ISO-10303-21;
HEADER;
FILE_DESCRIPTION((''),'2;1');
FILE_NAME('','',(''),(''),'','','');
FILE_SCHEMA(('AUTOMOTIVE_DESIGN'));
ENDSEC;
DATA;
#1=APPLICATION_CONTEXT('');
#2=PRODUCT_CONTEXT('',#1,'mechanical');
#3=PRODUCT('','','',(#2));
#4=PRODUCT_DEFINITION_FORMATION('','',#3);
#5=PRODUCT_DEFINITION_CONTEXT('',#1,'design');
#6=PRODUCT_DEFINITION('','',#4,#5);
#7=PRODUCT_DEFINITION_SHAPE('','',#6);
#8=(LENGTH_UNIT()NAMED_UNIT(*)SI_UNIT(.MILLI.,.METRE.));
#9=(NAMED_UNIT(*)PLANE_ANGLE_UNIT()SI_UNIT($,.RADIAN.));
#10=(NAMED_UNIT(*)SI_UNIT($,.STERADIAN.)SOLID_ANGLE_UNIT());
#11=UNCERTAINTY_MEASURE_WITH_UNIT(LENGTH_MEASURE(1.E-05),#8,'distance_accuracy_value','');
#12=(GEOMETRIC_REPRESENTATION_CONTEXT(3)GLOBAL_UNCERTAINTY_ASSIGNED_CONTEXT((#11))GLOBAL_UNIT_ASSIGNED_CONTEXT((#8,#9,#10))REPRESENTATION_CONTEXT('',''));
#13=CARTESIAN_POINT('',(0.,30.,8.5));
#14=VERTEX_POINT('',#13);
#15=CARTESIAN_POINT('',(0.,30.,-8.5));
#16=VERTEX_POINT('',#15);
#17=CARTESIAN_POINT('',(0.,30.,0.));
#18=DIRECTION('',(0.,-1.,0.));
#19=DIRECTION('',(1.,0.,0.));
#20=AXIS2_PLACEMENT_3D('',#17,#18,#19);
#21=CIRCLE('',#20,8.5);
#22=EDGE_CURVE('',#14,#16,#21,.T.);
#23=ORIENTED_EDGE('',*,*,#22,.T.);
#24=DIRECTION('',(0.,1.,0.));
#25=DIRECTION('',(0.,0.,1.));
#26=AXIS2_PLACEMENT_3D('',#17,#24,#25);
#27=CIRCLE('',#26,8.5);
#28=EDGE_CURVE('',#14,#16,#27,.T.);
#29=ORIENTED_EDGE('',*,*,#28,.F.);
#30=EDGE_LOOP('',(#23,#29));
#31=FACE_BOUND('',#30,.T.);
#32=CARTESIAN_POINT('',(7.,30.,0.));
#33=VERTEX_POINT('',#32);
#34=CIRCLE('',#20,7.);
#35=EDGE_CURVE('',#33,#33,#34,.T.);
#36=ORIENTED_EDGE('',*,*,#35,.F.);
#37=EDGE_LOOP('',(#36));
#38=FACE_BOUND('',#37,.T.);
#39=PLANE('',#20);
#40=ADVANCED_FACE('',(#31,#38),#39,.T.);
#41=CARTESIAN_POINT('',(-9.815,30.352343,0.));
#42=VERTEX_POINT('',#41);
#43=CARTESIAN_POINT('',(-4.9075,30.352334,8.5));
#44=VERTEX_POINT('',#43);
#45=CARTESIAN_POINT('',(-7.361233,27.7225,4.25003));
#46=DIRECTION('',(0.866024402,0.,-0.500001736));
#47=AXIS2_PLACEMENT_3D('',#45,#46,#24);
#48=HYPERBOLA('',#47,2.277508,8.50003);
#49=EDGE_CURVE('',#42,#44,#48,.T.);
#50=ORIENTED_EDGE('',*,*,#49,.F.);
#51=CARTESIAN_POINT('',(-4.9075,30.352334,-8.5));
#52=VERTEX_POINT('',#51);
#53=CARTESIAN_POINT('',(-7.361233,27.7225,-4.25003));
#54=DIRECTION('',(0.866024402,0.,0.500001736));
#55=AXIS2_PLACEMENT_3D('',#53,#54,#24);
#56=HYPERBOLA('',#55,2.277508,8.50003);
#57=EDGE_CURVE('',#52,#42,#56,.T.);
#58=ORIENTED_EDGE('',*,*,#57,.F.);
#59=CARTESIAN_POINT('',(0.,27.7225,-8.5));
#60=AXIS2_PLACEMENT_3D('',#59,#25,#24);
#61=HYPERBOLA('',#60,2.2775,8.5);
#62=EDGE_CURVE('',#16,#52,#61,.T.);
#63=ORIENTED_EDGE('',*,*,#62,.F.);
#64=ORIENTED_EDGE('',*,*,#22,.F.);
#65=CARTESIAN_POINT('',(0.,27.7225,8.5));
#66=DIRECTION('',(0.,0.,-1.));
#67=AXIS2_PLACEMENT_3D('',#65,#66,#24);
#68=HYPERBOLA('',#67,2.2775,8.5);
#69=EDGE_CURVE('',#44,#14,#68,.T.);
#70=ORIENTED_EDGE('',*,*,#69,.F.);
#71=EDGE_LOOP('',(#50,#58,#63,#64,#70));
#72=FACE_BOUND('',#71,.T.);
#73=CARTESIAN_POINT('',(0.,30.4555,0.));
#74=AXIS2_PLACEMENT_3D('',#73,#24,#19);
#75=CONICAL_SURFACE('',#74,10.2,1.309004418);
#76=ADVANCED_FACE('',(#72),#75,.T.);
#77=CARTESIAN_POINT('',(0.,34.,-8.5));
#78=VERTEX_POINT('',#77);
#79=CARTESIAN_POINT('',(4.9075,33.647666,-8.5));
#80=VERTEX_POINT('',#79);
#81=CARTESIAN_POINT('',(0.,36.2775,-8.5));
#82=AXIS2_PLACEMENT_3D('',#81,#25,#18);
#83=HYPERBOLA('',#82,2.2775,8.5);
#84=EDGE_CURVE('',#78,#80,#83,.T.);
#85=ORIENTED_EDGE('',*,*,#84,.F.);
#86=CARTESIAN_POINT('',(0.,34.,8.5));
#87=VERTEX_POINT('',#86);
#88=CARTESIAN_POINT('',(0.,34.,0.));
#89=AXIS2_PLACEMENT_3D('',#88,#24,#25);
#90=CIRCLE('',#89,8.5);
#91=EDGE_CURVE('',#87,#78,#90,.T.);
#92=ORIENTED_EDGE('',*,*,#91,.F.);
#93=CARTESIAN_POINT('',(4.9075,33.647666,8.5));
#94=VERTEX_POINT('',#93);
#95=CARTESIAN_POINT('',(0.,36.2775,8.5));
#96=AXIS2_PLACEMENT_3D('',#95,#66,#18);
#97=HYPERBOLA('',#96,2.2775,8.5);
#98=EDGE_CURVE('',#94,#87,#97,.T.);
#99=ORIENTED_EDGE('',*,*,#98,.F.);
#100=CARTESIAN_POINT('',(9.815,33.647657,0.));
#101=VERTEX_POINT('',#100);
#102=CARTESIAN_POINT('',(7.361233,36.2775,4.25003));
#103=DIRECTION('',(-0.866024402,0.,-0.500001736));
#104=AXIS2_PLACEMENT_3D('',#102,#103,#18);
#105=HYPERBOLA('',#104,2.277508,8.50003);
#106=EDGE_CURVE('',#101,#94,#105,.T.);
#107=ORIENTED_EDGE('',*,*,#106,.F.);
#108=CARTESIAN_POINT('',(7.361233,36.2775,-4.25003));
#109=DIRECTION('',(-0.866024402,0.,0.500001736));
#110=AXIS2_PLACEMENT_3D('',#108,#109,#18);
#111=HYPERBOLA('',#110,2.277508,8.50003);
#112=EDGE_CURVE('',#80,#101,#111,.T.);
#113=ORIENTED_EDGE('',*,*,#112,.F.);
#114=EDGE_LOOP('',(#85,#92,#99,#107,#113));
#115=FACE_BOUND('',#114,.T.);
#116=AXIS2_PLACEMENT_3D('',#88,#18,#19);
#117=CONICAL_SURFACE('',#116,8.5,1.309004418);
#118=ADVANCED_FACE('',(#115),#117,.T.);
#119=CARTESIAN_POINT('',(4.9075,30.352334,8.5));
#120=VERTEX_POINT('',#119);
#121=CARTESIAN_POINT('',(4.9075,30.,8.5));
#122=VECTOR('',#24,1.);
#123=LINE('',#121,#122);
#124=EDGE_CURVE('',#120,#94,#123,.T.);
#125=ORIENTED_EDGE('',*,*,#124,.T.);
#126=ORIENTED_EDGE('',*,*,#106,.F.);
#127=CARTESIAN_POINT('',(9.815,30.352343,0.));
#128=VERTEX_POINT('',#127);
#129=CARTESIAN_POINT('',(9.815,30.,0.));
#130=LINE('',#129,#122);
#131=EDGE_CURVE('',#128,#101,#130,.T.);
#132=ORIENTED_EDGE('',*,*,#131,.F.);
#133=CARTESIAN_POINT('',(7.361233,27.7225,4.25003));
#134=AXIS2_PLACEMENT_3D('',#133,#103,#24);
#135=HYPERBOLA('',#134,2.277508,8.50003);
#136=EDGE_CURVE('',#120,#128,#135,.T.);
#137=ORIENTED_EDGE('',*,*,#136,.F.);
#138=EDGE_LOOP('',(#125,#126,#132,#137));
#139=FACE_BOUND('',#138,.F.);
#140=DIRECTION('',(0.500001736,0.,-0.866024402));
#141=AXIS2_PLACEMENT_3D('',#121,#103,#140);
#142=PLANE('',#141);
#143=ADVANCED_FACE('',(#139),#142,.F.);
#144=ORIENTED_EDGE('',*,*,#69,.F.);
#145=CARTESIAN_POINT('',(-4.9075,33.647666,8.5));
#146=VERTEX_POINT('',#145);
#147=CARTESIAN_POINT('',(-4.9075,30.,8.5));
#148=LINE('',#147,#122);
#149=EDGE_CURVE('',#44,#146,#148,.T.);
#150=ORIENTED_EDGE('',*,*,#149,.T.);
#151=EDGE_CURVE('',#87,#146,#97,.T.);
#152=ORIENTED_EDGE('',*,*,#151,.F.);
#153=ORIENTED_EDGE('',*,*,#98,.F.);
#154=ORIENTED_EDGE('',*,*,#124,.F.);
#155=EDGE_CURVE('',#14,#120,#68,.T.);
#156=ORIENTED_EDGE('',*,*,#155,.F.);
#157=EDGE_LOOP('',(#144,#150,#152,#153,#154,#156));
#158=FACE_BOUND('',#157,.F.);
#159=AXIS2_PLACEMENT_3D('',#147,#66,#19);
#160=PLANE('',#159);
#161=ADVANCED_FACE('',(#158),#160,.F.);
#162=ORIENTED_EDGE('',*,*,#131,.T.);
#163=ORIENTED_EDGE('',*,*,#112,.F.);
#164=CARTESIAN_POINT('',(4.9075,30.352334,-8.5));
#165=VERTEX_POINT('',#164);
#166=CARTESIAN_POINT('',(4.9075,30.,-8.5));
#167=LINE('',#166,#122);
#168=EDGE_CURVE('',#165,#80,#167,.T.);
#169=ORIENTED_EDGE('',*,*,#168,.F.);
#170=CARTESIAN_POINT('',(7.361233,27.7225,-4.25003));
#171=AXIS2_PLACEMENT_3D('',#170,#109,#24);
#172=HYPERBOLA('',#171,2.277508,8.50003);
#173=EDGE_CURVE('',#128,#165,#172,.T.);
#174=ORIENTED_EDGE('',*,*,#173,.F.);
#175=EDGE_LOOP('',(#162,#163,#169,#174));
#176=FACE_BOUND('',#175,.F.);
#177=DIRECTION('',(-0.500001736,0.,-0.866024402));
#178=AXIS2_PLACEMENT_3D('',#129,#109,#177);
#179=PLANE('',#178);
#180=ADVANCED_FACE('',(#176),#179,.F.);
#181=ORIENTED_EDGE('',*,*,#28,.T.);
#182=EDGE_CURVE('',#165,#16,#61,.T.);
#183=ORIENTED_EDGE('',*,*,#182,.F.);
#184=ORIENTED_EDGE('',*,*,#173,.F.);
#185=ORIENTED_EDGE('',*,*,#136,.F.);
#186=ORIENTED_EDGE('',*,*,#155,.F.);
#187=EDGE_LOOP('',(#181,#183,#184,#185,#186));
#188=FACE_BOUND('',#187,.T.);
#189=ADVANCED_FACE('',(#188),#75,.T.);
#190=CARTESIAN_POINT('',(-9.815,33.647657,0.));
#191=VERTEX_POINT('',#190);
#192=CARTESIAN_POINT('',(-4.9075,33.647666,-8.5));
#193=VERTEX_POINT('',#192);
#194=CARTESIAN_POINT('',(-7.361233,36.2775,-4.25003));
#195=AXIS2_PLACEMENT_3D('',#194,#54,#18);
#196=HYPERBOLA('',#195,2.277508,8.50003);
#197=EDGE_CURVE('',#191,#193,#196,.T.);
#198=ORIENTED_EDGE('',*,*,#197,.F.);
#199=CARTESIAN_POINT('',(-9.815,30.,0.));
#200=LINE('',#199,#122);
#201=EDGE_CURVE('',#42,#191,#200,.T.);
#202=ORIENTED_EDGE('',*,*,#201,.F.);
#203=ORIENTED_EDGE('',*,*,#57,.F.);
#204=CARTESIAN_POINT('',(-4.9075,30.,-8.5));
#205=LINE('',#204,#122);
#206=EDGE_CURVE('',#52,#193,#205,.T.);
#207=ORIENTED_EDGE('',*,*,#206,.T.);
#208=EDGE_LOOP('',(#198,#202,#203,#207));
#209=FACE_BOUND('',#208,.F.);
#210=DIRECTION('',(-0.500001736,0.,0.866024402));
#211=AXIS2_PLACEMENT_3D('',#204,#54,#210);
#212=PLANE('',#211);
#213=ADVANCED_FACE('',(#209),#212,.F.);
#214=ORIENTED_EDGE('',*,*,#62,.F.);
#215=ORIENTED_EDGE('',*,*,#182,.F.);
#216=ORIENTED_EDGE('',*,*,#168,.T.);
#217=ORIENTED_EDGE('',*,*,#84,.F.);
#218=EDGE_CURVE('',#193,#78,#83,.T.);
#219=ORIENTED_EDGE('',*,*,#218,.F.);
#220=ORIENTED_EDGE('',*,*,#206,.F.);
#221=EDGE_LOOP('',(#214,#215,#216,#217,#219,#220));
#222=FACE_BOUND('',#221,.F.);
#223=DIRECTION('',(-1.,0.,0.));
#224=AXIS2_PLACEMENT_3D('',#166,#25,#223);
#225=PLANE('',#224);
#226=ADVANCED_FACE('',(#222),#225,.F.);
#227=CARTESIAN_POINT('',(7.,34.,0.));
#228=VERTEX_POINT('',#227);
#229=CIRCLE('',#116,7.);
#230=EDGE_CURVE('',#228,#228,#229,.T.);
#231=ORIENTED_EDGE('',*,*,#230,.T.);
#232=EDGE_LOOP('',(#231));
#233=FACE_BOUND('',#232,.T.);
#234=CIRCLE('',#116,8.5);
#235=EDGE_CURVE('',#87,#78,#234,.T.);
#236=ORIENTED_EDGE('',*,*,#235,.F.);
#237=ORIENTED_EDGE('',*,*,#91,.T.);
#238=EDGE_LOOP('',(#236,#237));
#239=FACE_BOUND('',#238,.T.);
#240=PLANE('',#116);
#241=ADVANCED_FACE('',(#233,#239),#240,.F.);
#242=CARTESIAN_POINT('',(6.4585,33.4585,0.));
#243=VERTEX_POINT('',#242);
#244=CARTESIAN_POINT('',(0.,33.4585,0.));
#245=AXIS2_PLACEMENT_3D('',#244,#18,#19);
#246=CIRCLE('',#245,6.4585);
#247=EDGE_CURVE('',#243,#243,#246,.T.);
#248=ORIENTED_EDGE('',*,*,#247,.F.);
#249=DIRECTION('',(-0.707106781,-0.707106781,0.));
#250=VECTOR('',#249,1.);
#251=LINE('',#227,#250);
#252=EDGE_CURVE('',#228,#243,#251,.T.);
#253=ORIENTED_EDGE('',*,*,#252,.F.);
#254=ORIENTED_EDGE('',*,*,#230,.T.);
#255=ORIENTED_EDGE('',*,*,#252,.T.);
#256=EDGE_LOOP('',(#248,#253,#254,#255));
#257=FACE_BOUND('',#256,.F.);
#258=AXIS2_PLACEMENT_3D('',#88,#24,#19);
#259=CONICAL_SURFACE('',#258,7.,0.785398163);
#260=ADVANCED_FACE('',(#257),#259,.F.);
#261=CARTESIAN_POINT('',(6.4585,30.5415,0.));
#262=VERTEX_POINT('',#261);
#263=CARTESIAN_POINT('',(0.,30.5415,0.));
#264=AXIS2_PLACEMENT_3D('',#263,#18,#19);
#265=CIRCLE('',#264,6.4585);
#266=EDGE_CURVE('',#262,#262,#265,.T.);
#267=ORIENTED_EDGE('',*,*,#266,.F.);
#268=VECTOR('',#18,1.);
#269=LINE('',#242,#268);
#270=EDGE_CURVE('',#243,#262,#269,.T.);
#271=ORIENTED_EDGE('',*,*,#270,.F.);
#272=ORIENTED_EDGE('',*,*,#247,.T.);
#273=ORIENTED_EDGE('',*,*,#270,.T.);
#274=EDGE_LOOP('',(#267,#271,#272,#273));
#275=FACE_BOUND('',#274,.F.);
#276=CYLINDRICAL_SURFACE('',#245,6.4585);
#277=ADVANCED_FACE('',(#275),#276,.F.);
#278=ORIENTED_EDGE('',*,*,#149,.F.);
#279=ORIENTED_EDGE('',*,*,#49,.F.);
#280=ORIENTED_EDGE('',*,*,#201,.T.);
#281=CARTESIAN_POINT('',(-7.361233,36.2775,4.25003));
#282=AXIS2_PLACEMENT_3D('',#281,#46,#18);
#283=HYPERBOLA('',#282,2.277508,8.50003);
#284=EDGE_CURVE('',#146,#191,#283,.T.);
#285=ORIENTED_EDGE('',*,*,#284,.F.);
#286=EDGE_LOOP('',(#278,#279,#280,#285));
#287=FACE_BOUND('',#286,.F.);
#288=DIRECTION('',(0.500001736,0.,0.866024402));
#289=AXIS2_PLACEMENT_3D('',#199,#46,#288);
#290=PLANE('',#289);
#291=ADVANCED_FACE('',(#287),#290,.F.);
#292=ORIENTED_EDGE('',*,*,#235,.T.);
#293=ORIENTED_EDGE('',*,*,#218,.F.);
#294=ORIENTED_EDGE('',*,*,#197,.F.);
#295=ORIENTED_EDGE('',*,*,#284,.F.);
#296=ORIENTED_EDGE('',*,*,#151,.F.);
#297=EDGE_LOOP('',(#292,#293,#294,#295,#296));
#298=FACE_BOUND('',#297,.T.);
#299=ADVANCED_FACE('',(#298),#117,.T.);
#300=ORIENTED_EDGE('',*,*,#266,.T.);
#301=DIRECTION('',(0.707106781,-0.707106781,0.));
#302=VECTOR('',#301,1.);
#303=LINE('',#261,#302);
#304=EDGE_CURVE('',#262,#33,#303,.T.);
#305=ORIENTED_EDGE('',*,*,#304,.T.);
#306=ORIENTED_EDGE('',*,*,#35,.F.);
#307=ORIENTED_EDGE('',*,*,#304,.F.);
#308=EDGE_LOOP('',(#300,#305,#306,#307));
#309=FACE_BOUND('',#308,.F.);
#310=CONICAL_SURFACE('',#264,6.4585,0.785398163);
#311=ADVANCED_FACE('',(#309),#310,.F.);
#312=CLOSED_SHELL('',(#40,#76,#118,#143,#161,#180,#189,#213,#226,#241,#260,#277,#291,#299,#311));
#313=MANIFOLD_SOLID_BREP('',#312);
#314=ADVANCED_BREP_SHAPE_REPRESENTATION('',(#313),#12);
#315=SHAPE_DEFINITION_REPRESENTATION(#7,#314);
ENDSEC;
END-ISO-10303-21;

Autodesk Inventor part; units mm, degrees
sketch "Sketch_1" plane through (0, 0, 0) normal (0, 0, 1) x (1, 0, 0)
  line L0 (0, 30) -> (0, 34)
  line L1 (0, 34) -> (8.5, 34)
  line L2 (8.5, 34) -> (10.2, 33.5445)
  line L3 (10.2, 33.5445) -> (10.2, 30.4555)
  line L4 (10.2, 30.4555) -> (8.5, 30)
  line L5 (8.5, 30) -> (0, 30)
  line L6 (0, 30) -> (0, 34)
revolve "Revolution1" add sketch "Sketch_1" angle 360 about axis through (0, 30, 0) along (0, -1, 0)
sketch "Sketch_2" plane through (0, 0, 0) normal (0, 0, 1) x (1, 0, 0)
  line L0 (0, 30) -> (0, 34)
  line L1 (0, 34) -> (7, 34)
  line L2 (7, 34) -> (6.4585, 33.4585)
  line L3 (6.4585, 33.4585) -> (6.4585, 30.5415)
  line L4 (6.4585, 30.5415) -> (7, 30)
  line L5 (7, 30) -> (0, 30)
  line L6 (0, 30) -> (0, 34)
revolve "Revolution2" cut sketch "Sketch_2" angle 360 about axis through (0, 30, 0) along (0, -1, 0)
thread "Thread1" size "M14x1" class "6H" standard "ISO Metric profile" full length
sketch "Sketch_3" plane through (0, 30, 0) normal (0, 1, 0) x (1, 0, 0)
  line L0 (-45, 45) -> (-45, -45)
  line L1 (-45, -45) -> (45, -45)
  line L2 (45, -45) -> (45, 45)
  line L3 (45, 45) -> (-45, 45)
  line L4 (-9.815, 0) -> (-4.9075, -8.5)
  line L5 (-4.9075, -8.5) -> (4.9075, -8.5)
  line L6 (4.9075, -8.5) -> (9.815, 0)
  line L7 (9.815, 0) -> (4.9075, 8.5)
  line L8 (4.9075, 8.5) -> (-4.9075, 8.5)
  line L9 (-4.9075, 8.5) -> (-9.815, 0)
extrude "Extrusion1" cut sketch "Sketch_3" along normal blind 4
ref_plane "NUT_TO_BODY_XY" through (0, 30, 0) normal (0, 1, 0) x (1, 0, 0)
ref_plane "NUT_TO_BODY_YZ" through (0, 30, 0) normal (1, 0, 0) x (0, 0, -1)
ref_plane "NUT_TO_BODY_ZX" through (0, 30, 0) normal (0, 0, -1) x (0, 1, 0)
properties part number "MVFKN40-NUT-NUT"
